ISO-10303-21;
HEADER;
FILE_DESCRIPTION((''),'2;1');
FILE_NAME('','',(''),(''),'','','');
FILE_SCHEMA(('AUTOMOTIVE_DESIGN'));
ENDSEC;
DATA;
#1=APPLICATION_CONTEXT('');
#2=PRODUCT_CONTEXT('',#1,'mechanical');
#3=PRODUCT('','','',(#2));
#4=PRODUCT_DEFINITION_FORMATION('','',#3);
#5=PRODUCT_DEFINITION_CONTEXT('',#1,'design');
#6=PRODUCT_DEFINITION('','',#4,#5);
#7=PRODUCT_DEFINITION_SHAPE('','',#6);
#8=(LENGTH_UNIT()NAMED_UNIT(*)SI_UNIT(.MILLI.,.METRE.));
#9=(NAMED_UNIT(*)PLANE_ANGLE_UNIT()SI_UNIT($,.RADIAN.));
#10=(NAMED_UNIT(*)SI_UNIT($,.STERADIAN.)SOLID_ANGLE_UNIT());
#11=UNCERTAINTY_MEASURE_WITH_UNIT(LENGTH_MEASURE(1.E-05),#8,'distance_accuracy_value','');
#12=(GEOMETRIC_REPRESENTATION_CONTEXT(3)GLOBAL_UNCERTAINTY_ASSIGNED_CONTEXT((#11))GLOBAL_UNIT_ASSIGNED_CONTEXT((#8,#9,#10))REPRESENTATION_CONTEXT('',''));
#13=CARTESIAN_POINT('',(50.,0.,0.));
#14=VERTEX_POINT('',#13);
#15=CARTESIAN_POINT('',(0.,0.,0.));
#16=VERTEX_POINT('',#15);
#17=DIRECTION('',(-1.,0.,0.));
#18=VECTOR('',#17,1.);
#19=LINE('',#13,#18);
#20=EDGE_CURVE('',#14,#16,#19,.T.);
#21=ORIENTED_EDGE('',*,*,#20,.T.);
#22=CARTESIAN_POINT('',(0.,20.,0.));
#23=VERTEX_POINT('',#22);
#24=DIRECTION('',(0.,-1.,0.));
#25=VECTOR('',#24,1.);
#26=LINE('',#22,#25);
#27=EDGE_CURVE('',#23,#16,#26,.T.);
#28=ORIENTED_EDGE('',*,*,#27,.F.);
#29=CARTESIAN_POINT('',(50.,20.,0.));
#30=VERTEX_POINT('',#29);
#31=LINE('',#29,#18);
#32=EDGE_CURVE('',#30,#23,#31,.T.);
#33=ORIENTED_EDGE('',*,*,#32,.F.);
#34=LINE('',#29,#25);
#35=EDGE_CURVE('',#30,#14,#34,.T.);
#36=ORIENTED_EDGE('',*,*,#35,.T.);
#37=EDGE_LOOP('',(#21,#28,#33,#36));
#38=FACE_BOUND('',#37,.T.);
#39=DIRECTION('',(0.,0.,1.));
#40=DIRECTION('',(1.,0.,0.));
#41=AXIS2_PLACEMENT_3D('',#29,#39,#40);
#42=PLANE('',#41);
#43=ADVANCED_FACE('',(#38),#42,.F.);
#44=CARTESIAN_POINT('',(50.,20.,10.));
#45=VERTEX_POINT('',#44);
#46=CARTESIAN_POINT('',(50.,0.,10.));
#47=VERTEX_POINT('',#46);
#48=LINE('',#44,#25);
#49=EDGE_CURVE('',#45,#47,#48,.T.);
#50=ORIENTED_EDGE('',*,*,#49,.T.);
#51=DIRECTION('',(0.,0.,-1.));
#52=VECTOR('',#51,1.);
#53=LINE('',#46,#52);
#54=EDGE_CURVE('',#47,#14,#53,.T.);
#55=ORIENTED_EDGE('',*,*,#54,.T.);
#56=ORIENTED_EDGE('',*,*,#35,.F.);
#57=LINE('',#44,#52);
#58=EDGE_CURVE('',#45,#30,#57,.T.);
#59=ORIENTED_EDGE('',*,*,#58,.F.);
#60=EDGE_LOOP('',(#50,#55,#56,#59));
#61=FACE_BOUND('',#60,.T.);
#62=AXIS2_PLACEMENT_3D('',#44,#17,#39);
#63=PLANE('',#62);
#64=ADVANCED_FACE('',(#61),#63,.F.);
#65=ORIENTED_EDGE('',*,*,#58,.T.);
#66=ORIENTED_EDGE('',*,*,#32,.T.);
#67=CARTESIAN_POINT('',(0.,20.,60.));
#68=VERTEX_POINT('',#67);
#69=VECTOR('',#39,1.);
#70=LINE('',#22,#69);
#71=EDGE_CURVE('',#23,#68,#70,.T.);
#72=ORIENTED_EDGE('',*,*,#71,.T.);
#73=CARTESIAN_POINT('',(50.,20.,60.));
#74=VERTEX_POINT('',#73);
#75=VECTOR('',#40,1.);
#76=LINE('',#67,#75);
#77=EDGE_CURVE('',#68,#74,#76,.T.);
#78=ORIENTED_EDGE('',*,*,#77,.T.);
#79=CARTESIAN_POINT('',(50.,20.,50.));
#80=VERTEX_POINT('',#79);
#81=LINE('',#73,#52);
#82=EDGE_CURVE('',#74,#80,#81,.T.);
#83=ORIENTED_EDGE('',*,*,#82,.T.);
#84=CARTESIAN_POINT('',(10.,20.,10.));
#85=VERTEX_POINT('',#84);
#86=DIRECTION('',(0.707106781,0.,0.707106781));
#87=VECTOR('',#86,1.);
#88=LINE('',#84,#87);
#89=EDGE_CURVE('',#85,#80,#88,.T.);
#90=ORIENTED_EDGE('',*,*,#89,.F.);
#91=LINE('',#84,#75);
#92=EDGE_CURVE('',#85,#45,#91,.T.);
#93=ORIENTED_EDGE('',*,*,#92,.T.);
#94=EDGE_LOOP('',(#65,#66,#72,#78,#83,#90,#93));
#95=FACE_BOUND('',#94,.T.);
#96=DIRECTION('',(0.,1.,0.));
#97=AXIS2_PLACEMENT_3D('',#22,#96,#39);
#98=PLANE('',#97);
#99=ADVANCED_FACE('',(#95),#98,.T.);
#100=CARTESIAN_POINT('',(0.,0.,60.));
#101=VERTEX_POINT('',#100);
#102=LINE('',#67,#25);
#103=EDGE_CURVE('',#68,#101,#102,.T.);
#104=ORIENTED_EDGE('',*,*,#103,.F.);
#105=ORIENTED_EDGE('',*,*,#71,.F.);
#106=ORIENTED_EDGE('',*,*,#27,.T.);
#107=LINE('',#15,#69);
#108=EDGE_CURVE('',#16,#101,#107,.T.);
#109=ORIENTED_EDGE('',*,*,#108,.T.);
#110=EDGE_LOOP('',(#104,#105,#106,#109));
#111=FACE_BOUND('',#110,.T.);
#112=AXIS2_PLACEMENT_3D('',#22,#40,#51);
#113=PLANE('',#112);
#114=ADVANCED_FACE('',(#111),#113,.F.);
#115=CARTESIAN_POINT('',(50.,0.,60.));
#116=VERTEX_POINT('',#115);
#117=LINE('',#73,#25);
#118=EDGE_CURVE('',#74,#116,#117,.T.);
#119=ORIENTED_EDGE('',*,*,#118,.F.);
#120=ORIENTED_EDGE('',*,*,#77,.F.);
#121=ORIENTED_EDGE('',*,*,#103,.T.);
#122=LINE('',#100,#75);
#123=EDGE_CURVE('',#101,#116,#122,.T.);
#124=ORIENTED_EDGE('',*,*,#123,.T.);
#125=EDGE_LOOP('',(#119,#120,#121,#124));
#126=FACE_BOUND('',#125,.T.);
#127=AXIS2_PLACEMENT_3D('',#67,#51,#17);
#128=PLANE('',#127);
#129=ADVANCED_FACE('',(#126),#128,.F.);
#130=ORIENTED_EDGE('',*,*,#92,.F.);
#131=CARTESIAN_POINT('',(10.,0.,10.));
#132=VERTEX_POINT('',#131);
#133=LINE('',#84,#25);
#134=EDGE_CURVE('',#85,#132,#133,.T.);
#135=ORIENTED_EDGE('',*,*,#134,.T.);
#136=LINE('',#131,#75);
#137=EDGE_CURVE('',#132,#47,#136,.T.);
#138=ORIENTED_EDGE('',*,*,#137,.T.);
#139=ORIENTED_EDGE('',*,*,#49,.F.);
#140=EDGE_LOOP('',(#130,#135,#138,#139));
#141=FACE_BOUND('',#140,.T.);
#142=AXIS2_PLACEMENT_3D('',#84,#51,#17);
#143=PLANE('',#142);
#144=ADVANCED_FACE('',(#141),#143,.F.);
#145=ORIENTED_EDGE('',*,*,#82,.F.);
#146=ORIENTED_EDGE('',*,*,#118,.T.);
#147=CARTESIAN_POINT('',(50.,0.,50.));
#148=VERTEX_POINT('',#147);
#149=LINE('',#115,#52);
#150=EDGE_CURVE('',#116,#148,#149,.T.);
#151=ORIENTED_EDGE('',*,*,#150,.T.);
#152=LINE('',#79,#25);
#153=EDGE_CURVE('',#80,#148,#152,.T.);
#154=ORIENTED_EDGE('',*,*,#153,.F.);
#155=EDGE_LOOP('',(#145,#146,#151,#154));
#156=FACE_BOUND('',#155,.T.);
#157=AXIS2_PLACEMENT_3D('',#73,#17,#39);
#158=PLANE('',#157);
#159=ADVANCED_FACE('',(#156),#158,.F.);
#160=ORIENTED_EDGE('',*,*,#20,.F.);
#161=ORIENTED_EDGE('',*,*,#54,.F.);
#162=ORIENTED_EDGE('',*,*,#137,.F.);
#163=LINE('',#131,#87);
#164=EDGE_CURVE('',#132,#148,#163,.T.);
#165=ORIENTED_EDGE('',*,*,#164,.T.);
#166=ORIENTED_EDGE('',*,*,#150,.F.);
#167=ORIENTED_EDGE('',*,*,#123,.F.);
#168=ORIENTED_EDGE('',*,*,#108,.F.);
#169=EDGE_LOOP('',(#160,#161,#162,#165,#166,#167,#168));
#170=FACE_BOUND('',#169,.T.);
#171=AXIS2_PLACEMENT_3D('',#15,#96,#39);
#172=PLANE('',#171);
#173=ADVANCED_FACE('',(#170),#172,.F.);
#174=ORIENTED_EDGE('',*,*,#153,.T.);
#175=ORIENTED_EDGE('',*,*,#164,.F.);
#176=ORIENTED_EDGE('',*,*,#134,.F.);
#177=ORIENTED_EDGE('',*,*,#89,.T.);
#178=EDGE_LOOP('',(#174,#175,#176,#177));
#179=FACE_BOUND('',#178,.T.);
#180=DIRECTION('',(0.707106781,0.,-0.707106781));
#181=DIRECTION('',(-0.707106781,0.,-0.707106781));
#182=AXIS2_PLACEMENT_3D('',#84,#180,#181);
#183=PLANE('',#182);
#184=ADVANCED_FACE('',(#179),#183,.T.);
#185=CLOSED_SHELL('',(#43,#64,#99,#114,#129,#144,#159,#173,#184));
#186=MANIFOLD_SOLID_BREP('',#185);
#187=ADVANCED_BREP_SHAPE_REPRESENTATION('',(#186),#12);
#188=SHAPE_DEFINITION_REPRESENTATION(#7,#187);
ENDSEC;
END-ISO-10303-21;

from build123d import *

# Parameters (mm, degrees)
BOSS_EXTRUDE1_DEPTH = 20


with BuildPart() as part:
    # Sketch1 → Boss-Extrude1 (new body)
    with BuildSketch(Plane(origin=(0, 0, 0), x_dir=(1, 0, 0), z_dir=(0, 1, 0))):
        Polygon((0, 0), (0, -60), (50, -60), (50, -50), (10, -10), (50, -10), (50, 0), align=None)
    extrude(amount=BOSS_EXTRUDE1_DEPTH)


solid = part.part
